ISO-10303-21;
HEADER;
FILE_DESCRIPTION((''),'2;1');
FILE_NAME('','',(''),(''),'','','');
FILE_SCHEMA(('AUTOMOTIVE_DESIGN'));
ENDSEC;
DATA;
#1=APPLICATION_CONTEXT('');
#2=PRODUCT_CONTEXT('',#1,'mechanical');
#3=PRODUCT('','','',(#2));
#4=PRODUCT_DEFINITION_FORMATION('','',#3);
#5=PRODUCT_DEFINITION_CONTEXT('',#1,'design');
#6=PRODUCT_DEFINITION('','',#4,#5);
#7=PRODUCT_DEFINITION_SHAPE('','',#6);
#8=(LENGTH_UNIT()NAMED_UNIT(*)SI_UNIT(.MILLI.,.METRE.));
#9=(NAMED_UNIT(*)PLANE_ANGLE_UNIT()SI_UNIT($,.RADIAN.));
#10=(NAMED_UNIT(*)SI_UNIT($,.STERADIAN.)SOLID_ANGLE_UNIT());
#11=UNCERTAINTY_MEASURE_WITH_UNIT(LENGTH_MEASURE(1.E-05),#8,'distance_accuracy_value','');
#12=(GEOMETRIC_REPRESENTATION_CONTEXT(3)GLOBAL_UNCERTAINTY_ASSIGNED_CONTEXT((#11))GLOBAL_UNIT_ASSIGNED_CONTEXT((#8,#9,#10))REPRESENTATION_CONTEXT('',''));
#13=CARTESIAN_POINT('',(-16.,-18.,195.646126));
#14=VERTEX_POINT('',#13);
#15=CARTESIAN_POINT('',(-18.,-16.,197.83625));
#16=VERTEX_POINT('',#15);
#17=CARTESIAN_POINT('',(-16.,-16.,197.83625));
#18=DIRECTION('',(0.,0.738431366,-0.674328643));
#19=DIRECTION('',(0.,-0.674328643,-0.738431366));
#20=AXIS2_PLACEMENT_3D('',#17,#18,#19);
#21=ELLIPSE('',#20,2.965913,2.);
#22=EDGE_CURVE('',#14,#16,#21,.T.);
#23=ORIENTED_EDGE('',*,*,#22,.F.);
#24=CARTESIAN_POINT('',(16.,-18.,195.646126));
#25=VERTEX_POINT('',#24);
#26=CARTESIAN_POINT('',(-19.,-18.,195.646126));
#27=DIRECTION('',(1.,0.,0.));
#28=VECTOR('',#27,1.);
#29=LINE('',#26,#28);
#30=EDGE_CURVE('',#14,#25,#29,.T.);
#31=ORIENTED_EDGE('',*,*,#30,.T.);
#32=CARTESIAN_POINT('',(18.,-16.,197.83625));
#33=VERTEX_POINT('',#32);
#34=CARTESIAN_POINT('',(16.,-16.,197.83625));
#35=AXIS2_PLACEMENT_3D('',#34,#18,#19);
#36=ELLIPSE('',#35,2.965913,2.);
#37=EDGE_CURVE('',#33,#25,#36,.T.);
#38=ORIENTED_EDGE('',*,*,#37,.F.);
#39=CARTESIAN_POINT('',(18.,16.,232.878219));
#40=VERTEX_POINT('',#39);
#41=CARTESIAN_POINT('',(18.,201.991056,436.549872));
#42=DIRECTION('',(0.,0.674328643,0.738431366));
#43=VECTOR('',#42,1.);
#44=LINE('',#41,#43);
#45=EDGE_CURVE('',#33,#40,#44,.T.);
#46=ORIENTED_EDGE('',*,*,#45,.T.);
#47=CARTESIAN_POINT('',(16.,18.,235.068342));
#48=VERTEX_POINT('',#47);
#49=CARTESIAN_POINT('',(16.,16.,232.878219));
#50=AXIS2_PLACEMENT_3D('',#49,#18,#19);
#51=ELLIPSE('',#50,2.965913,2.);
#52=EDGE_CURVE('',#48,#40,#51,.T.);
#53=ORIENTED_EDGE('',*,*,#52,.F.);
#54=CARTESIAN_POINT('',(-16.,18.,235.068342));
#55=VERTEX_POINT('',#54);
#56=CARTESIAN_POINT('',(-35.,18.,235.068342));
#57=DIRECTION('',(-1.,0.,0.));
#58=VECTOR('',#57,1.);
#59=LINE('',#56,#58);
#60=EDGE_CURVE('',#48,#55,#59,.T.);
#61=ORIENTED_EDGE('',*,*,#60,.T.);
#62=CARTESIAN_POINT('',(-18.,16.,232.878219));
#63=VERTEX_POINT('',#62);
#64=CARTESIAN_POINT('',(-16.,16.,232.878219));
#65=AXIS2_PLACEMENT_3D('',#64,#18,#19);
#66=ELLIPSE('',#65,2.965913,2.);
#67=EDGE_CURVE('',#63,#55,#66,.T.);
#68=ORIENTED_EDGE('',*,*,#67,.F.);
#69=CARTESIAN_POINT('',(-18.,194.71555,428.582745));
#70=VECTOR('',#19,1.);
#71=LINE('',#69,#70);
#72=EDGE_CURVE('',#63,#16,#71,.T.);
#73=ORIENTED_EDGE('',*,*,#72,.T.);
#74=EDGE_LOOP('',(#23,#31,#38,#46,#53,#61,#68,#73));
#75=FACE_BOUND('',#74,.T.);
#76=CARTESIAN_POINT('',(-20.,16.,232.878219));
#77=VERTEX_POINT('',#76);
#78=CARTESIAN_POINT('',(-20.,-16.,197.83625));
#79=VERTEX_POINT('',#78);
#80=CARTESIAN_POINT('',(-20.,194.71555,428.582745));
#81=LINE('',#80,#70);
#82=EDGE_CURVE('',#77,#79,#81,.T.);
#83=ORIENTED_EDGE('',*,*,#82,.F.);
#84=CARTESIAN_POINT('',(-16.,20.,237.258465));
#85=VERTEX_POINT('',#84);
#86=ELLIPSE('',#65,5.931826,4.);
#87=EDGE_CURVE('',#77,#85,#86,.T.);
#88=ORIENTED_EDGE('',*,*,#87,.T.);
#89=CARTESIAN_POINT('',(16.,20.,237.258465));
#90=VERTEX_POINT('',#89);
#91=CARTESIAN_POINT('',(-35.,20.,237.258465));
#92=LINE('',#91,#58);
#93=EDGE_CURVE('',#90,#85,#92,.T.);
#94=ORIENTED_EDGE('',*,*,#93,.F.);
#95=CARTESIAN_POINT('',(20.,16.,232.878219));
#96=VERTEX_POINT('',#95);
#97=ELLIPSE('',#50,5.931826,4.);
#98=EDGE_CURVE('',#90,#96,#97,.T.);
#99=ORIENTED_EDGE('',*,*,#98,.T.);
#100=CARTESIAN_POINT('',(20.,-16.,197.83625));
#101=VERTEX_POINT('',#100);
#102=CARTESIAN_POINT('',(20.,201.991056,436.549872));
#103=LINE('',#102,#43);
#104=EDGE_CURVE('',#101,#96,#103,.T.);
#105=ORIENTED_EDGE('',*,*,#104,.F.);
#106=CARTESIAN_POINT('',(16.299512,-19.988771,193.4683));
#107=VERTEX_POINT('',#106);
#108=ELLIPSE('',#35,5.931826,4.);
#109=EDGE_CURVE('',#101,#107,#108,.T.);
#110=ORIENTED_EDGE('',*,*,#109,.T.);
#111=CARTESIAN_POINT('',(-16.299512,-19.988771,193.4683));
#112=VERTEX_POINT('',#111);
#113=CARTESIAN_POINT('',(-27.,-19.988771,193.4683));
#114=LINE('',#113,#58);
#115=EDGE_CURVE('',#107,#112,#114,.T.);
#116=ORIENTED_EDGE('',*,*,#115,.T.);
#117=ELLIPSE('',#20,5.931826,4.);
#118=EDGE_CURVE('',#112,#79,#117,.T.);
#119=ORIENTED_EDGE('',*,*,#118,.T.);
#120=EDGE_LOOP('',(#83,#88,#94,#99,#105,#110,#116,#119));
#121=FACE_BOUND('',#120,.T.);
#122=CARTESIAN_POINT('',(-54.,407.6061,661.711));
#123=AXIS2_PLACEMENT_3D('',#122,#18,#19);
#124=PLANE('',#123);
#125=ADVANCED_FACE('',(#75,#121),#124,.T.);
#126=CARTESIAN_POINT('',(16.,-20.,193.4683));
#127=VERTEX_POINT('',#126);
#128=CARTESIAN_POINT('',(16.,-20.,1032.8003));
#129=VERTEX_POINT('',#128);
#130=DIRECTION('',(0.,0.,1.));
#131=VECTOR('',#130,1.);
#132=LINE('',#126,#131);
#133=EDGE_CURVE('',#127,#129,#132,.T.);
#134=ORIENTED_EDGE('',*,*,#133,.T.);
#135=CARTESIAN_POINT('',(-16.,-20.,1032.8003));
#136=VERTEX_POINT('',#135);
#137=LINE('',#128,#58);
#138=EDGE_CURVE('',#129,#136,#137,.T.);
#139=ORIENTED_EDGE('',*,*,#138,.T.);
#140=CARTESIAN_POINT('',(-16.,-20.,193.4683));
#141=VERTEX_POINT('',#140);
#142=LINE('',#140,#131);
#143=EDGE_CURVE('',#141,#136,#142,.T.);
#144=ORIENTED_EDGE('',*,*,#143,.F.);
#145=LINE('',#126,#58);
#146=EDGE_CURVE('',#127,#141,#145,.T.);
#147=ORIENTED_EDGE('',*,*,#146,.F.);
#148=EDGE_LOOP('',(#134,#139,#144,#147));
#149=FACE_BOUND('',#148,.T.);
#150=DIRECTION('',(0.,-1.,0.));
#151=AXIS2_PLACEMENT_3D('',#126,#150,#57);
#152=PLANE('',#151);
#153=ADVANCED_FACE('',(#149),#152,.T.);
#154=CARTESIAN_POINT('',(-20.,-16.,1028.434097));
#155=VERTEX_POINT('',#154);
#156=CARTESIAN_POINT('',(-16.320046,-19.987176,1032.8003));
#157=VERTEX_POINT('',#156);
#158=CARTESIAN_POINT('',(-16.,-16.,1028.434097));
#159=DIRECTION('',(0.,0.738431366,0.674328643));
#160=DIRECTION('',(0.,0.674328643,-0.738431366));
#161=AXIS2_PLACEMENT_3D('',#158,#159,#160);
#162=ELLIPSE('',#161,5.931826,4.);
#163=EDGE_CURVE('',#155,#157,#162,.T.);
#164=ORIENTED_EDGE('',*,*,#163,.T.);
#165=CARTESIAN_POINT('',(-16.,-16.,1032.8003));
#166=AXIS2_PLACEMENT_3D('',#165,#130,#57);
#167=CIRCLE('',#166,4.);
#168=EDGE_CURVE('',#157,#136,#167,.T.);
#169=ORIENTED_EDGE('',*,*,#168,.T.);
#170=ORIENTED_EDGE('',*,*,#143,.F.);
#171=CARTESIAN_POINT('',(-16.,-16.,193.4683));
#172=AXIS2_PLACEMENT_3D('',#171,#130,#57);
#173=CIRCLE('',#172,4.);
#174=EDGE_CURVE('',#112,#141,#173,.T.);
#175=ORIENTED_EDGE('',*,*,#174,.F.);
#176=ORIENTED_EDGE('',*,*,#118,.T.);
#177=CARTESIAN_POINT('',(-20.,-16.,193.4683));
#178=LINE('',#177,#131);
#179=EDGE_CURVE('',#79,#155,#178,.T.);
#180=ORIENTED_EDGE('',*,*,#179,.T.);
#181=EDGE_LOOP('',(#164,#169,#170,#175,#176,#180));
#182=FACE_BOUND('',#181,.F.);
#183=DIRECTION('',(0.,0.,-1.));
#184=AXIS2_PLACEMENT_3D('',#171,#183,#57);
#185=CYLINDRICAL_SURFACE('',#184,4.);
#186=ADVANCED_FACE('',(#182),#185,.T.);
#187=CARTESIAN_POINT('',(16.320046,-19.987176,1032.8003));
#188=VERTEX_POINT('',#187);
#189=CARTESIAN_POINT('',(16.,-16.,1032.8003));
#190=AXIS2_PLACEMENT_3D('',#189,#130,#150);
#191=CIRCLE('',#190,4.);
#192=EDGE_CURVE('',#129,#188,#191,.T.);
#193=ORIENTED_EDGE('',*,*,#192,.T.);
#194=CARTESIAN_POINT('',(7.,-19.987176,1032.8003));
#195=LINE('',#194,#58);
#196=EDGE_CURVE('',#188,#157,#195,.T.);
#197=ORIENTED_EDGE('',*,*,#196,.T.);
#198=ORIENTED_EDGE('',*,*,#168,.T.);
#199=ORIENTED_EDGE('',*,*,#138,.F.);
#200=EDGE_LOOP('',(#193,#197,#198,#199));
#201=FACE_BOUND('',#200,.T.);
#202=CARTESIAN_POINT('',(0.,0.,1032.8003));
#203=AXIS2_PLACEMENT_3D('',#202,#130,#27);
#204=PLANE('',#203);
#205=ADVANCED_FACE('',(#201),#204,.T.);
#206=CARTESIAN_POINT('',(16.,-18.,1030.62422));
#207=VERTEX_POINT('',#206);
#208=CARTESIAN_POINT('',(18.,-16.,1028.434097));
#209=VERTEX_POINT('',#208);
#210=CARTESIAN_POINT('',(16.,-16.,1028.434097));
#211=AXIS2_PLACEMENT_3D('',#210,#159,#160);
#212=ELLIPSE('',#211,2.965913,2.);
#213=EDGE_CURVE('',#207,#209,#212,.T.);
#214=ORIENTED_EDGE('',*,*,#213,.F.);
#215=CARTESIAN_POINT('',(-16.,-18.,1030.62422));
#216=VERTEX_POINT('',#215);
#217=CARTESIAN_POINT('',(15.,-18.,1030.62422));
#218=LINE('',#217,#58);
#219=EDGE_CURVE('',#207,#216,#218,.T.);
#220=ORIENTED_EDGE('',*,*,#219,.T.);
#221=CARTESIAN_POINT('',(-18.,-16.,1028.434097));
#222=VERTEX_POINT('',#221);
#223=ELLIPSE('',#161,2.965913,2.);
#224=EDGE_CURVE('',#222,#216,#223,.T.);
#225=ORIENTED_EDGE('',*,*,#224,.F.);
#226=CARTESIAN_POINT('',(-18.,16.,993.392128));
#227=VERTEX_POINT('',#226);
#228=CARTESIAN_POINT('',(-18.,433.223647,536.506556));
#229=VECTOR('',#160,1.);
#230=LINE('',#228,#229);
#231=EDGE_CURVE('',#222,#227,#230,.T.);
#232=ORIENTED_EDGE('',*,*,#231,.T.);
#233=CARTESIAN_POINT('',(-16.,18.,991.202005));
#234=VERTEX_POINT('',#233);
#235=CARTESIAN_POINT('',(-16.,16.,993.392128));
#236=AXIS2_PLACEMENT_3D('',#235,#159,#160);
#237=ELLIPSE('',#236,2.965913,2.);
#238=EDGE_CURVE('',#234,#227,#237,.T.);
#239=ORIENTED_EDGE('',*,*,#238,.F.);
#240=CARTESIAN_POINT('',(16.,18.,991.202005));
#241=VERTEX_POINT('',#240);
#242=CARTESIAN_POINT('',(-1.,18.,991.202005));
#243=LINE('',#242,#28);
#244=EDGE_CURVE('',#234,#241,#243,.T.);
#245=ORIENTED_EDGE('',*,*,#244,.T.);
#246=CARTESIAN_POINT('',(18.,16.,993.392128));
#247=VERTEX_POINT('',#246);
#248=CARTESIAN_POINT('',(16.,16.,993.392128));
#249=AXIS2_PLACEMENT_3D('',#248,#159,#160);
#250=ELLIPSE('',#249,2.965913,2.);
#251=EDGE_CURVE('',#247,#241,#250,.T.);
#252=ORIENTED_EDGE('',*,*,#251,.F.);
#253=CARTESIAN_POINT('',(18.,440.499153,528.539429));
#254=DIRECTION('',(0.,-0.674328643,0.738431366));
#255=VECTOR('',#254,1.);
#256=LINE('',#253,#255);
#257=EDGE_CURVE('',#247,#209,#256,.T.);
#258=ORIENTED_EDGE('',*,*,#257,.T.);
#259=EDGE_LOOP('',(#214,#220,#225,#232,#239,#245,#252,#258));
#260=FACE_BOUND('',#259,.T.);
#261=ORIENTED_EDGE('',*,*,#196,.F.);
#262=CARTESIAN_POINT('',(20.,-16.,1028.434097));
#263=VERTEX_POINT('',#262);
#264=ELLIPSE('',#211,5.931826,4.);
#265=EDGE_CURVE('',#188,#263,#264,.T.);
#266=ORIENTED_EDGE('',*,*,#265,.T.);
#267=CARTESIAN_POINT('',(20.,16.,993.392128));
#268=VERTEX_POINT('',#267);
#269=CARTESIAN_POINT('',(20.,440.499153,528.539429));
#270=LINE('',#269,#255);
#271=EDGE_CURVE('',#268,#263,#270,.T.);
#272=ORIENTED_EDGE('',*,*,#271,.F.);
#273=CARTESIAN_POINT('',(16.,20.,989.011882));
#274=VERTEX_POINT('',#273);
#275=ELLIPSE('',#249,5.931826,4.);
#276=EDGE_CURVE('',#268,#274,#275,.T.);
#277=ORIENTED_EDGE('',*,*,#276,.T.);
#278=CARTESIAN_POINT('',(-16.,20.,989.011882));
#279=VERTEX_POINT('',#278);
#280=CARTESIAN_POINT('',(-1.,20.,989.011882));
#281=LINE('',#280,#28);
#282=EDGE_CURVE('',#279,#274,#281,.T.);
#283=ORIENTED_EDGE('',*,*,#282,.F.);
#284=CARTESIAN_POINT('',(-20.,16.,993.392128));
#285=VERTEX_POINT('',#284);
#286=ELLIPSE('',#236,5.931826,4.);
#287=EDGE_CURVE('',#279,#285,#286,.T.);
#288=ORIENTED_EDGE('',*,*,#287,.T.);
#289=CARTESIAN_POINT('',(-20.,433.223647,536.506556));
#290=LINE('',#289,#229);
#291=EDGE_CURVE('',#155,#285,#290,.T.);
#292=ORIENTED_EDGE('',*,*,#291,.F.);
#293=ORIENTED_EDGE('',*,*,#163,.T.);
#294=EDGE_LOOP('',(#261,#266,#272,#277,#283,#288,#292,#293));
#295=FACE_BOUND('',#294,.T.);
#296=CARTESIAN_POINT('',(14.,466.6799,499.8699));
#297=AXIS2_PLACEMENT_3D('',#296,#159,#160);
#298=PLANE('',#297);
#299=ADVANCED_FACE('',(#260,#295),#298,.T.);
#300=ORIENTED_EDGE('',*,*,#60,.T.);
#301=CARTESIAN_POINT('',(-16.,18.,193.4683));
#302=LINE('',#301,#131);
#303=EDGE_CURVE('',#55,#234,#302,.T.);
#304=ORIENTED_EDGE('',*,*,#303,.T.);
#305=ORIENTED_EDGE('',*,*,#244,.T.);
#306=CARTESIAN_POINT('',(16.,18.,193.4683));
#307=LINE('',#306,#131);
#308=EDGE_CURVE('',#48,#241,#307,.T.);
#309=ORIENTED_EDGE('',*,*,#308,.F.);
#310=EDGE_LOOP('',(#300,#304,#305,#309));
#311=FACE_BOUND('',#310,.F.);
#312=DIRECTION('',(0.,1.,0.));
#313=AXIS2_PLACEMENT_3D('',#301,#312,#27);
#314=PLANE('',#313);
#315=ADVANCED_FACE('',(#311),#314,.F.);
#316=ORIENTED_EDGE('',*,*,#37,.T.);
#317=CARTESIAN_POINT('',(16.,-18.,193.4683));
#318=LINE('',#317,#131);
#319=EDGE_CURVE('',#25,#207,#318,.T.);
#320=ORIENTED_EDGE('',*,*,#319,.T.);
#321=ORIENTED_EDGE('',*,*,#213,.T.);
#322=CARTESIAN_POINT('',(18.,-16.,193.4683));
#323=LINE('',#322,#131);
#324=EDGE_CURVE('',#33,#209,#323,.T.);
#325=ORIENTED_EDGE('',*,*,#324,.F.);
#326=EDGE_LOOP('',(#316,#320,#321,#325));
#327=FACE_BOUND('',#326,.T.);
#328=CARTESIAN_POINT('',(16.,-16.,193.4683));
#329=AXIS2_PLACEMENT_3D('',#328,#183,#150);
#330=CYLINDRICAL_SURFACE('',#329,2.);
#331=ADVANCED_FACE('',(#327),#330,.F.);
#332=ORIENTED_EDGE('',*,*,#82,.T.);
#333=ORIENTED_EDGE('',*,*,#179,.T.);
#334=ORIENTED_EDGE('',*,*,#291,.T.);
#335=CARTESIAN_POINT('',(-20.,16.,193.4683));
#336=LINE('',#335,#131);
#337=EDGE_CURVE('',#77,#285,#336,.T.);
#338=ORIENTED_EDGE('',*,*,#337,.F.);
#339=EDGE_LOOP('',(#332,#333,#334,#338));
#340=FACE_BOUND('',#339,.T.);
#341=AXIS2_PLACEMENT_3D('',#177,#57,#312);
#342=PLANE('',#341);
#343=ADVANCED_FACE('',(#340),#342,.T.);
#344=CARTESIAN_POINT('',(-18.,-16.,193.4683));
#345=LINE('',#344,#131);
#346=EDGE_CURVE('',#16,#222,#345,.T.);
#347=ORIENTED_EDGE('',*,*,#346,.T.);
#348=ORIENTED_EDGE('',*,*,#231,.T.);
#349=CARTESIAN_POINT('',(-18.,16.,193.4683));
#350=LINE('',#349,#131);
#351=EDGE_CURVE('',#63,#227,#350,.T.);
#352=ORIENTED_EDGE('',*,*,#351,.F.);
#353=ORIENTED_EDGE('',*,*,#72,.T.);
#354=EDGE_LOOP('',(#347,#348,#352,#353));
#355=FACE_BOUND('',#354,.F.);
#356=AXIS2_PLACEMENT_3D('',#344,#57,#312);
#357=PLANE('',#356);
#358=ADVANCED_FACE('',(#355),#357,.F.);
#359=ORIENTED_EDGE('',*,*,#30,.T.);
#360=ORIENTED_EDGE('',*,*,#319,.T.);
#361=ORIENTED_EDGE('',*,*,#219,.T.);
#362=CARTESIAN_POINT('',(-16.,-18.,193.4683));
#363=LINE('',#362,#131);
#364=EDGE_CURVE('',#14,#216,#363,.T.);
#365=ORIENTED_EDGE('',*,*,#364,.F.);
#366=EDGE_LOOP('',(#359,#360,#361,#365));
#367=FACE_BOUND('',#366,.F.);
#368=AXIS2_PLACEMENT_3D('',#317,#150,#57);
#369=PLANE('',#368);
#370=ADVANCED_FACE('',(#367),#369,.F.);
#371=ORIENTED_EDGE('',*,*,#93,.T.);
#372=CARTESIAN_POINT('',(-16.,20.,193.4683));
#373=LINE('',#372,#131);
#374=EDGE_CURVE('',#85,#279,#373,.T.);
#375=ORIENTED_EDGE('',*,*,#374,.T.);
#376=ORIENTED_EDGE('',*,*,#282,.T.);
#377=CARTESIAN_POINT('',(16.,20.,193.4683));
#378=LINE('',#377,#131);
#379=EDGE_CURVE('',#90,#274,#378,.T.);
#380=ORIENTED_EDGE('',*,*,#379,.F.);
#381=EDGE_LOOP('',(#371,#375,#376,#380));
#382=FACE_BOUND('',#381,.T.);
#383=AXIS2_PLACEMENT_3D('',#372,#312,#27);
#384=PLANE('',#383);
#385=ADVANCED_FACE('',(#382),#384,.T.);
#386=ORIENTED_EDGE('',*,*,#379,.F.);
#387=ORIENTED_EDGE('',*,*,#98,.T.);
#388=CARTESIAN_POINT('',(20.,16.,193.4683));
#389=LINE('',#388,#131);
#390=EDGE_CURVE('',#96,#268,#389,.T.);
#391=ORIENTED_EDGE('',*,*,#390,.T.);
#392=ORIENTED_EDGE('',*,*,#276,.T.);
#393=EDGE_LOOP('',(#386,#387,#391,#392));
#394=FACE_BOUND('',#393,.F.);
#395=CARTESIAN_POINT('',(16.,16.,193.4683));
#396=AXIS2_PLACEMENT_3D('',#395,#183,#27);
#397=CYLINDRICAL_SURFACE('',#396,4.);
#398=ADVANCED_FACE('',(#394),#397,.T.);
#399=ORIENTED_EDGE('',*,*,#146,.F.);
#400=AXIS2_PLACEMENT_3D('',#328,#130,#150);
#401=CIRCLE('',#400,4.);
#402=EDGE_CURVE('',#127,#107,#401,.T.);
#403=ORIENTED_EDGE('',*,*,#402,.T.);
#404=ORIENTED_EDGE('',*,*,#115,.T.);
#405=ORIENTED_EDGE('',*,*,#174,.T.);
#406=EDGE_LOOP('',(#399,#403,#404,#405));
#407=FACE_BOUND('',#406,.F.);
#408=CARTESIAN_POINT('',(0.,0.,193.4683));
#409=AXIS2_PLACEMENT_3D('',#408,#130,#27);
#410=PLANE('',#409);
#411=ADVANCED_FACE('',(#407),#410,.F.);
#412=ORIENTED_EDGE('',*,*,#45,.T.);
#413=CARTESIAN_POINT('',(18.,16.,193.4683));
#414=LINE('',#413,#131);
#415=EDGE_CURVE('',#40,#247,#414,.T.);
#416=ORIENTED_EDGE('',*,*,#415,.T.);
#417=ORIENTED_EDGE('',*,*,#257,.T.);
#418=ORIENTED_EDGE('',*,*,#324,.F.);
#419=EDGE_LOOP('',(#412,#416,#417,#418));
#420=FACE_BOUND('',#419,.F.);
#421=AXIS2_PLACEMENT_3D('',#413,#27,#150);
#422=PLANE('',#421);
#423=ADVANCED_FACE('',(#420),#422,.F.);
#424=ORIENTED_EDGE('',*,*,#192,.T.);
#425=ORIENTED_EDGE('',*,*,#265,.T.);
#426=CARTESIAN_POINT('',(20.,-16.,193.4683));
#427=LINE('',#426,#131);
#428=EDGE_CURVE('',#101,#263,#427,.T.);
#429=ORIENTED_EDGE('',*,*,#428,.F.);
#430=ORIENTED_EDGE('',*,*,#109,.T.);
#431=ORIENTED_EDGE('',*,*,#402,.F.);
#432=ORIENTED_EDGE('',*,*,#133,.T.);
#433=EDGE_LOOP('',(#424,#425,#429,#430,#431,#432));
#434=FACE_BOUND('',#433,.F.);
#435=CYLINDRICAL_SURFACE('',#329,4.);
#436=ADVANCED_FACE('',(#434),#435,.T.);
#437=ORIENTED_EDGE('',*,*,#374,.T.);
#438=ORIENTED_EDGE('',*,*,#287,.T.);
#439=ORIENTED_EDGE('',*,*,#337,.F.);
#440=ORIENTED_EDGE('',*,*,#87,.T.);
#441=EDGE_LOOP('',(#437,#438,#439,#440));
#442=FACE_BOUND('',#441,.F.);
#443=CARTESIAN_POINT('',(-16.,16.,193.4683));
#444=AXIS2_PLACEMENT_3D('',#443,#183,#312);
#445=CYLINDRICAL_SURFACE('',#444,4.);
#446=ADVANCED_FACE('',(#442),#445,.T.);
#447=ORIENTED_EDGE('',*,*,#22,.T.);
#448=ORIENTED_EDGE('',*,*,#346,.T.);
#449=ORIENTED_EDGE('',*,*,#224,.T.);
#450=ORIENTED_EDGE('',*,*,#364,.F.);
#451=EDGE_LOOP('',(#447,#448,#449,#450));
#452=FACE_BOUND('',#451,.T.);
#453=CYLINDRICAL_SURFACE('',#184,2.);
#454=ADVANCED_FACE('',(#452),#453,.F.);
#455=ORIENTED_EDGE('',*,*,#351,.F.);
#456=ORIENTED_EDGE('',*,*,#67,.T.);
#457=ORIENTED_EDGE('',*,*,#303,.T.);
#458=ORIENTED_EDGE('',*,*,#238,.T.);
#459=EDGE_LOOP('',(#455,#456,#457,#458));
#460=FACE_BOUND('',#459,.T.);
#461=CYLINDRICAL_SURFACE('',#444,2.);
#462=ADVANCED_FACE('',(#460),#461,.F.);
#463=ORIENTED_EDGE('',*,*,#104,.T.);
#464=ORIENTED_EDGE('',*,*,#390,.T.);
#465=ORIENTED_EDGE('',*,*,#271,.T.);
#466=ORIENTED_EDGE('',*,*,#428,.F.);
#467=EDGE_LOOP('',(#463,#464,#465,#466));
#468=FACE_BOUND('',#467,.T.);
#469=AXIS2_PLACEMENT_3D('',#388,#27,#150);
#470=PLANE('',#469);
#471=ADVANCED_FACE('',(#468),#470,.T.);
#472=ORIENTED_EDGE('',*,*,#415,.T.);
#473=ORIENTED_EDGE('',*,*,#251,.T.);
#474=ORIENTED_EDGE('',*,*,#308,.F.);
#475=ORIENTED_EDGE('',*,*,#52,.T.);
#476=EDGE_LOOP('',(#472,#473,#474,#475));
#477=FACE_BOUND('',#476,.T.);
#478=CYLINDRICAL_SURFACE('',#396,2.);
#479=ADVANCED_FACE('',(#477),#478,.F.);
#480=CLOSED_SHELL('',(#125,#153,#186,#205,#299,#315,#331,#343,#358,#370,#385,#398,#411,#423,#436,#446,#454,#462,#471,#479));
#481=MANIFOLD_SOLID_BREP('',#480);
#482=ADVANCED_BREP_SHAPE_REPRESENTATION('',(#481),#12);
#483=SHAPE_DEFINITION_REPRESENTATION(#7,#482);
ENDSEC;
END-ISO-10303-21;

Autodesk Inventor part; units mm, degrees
ref_plane "Start plane" through (0, 0, 193.4683) normal (0, 0, 1) x (1, 0, 0)
ref_plane "End plane" through (0, 0, 1032.8003) normal (0, 0, 1) x (1, 0, 0)
sketch "Sketch" plane through (0, 0, 0) normal (0, 0, 1) x (1, 0, 0)
  line L0 (-20, -16) -> (-20, 16)
  line L1 (-16, 20) -> (16, 20)
  line L2 (20, 16) -> (20, -16)
  line L3 (16, -20) -> (-16, -20)
  arc A0 (-20, -16) -> (-16, -20) centre (-16, -16) ccw
  arc A1 (20, 16) -> (16, 20) centre (16, 16) ccw
  arc A2 (-16, 20) -> (-20, 16) centre (-16, 16) ccw
  arc A3 (16, -20) -> (20, -16) centre (16, -16) ccw
  arc A4 (-16, 18) -> (-18, 16) centre (-16, 16) ccw
  line L4 (-16, 18) -> (16, 18)
  arc A5 (18, 16) -> (16, 18) centre (16, 16) ccw
  line L5 (18, 16) -> (18, -16)
  arc A6 (16, -18) -> (18, -16) centre (16, -16) ccw
  line L6 (16, -18) -> (-16, -18)
  arc A7 (-18, -16) -> (-16, -18) centre (-16, -16) ccw
  line L7 (-18, -16) -> (-18, 16)
  line L8 (0, 29.7397) -> (0, -29.7397) construction
  line L9 (-29.7397, 0) -> (29.7397, 0) construction
  dimension "d7" = 4
  dimension "d9" = 40
  dimension "d11" = 40
  dimension "d12" = 2
  dimension "d15" = 20
  dimension "d16" = 20
extrude "Body" add sketch "Sketch" along normal up to surface (839.332 mm away) from surface at 193.4683
sketch "Sketch3" plane through (0, 0, 0) normal (0, 0, 1) x (1, 0, 0)
  line L0 (0, 0) -> (10, 0)
ref_plane "Work Plane3" through (0, 0, 0) normal (0, -1, 0) x (1, 0, 0)
ref_plane "Work Plane4" through (14, 466.6799, 499.8699) normal (0, 0.7384, 0.6743) x (1, 0, 0)
split "Split1" plane through (14, 466.6799, 499.8699) removes the side toward (0, 0.7384, 0.6743)
ref_plane "Work Plane5" through (-54, 407.6061, 661.711) normal (0, 0.7384, -0.6743) x (1, 0, 0)
split "Split2" plane through (-54, 407.6061, 661.711) removes the side toward (0, 0.7384, -0.6743)
sketch "Sketch4" plane through (0, 0, 0) normal (0, -1, 0) x (1, 0, 0)
  line L0 (-2, 193.4683) -> (12, 193.4683) projected
  line L1 (-2, 1032.8003) -> (12, 1032.8003) projected
  dimension "d18" = 839.332
equation "\"d7\" = G_IR"
equation "\"d9\" = G_W"
equation "\"d11\" = G_H"
equation "\"d12\" = G_T"
equation "\"d15\" = 0.5 * d9"
equation "\"d16\" = 0.5 * d11"
equation "\"d3\" = G_L"
equation "\"G_W\" = 40"
equation "\"G_H\" = 40"
equation "\"G_T\" = 2"
equation "\"G_IR\" = 4"
equation "\"G_L\" = d18"
equation "\"G_OFFSET_START\" = -193.46832"
equation "\"G_OFFSET_END\" = -74.83351"
equation "\"d13\" = -G_OFFSET_START"
equation "\"d14\" = G_OFFSET_END + B_L"
equation "\"B_L\" = 1107.63384"
properties part number "ISO 10799-2 - 40x40x2 - 839,33" material "Steel, Mild"
